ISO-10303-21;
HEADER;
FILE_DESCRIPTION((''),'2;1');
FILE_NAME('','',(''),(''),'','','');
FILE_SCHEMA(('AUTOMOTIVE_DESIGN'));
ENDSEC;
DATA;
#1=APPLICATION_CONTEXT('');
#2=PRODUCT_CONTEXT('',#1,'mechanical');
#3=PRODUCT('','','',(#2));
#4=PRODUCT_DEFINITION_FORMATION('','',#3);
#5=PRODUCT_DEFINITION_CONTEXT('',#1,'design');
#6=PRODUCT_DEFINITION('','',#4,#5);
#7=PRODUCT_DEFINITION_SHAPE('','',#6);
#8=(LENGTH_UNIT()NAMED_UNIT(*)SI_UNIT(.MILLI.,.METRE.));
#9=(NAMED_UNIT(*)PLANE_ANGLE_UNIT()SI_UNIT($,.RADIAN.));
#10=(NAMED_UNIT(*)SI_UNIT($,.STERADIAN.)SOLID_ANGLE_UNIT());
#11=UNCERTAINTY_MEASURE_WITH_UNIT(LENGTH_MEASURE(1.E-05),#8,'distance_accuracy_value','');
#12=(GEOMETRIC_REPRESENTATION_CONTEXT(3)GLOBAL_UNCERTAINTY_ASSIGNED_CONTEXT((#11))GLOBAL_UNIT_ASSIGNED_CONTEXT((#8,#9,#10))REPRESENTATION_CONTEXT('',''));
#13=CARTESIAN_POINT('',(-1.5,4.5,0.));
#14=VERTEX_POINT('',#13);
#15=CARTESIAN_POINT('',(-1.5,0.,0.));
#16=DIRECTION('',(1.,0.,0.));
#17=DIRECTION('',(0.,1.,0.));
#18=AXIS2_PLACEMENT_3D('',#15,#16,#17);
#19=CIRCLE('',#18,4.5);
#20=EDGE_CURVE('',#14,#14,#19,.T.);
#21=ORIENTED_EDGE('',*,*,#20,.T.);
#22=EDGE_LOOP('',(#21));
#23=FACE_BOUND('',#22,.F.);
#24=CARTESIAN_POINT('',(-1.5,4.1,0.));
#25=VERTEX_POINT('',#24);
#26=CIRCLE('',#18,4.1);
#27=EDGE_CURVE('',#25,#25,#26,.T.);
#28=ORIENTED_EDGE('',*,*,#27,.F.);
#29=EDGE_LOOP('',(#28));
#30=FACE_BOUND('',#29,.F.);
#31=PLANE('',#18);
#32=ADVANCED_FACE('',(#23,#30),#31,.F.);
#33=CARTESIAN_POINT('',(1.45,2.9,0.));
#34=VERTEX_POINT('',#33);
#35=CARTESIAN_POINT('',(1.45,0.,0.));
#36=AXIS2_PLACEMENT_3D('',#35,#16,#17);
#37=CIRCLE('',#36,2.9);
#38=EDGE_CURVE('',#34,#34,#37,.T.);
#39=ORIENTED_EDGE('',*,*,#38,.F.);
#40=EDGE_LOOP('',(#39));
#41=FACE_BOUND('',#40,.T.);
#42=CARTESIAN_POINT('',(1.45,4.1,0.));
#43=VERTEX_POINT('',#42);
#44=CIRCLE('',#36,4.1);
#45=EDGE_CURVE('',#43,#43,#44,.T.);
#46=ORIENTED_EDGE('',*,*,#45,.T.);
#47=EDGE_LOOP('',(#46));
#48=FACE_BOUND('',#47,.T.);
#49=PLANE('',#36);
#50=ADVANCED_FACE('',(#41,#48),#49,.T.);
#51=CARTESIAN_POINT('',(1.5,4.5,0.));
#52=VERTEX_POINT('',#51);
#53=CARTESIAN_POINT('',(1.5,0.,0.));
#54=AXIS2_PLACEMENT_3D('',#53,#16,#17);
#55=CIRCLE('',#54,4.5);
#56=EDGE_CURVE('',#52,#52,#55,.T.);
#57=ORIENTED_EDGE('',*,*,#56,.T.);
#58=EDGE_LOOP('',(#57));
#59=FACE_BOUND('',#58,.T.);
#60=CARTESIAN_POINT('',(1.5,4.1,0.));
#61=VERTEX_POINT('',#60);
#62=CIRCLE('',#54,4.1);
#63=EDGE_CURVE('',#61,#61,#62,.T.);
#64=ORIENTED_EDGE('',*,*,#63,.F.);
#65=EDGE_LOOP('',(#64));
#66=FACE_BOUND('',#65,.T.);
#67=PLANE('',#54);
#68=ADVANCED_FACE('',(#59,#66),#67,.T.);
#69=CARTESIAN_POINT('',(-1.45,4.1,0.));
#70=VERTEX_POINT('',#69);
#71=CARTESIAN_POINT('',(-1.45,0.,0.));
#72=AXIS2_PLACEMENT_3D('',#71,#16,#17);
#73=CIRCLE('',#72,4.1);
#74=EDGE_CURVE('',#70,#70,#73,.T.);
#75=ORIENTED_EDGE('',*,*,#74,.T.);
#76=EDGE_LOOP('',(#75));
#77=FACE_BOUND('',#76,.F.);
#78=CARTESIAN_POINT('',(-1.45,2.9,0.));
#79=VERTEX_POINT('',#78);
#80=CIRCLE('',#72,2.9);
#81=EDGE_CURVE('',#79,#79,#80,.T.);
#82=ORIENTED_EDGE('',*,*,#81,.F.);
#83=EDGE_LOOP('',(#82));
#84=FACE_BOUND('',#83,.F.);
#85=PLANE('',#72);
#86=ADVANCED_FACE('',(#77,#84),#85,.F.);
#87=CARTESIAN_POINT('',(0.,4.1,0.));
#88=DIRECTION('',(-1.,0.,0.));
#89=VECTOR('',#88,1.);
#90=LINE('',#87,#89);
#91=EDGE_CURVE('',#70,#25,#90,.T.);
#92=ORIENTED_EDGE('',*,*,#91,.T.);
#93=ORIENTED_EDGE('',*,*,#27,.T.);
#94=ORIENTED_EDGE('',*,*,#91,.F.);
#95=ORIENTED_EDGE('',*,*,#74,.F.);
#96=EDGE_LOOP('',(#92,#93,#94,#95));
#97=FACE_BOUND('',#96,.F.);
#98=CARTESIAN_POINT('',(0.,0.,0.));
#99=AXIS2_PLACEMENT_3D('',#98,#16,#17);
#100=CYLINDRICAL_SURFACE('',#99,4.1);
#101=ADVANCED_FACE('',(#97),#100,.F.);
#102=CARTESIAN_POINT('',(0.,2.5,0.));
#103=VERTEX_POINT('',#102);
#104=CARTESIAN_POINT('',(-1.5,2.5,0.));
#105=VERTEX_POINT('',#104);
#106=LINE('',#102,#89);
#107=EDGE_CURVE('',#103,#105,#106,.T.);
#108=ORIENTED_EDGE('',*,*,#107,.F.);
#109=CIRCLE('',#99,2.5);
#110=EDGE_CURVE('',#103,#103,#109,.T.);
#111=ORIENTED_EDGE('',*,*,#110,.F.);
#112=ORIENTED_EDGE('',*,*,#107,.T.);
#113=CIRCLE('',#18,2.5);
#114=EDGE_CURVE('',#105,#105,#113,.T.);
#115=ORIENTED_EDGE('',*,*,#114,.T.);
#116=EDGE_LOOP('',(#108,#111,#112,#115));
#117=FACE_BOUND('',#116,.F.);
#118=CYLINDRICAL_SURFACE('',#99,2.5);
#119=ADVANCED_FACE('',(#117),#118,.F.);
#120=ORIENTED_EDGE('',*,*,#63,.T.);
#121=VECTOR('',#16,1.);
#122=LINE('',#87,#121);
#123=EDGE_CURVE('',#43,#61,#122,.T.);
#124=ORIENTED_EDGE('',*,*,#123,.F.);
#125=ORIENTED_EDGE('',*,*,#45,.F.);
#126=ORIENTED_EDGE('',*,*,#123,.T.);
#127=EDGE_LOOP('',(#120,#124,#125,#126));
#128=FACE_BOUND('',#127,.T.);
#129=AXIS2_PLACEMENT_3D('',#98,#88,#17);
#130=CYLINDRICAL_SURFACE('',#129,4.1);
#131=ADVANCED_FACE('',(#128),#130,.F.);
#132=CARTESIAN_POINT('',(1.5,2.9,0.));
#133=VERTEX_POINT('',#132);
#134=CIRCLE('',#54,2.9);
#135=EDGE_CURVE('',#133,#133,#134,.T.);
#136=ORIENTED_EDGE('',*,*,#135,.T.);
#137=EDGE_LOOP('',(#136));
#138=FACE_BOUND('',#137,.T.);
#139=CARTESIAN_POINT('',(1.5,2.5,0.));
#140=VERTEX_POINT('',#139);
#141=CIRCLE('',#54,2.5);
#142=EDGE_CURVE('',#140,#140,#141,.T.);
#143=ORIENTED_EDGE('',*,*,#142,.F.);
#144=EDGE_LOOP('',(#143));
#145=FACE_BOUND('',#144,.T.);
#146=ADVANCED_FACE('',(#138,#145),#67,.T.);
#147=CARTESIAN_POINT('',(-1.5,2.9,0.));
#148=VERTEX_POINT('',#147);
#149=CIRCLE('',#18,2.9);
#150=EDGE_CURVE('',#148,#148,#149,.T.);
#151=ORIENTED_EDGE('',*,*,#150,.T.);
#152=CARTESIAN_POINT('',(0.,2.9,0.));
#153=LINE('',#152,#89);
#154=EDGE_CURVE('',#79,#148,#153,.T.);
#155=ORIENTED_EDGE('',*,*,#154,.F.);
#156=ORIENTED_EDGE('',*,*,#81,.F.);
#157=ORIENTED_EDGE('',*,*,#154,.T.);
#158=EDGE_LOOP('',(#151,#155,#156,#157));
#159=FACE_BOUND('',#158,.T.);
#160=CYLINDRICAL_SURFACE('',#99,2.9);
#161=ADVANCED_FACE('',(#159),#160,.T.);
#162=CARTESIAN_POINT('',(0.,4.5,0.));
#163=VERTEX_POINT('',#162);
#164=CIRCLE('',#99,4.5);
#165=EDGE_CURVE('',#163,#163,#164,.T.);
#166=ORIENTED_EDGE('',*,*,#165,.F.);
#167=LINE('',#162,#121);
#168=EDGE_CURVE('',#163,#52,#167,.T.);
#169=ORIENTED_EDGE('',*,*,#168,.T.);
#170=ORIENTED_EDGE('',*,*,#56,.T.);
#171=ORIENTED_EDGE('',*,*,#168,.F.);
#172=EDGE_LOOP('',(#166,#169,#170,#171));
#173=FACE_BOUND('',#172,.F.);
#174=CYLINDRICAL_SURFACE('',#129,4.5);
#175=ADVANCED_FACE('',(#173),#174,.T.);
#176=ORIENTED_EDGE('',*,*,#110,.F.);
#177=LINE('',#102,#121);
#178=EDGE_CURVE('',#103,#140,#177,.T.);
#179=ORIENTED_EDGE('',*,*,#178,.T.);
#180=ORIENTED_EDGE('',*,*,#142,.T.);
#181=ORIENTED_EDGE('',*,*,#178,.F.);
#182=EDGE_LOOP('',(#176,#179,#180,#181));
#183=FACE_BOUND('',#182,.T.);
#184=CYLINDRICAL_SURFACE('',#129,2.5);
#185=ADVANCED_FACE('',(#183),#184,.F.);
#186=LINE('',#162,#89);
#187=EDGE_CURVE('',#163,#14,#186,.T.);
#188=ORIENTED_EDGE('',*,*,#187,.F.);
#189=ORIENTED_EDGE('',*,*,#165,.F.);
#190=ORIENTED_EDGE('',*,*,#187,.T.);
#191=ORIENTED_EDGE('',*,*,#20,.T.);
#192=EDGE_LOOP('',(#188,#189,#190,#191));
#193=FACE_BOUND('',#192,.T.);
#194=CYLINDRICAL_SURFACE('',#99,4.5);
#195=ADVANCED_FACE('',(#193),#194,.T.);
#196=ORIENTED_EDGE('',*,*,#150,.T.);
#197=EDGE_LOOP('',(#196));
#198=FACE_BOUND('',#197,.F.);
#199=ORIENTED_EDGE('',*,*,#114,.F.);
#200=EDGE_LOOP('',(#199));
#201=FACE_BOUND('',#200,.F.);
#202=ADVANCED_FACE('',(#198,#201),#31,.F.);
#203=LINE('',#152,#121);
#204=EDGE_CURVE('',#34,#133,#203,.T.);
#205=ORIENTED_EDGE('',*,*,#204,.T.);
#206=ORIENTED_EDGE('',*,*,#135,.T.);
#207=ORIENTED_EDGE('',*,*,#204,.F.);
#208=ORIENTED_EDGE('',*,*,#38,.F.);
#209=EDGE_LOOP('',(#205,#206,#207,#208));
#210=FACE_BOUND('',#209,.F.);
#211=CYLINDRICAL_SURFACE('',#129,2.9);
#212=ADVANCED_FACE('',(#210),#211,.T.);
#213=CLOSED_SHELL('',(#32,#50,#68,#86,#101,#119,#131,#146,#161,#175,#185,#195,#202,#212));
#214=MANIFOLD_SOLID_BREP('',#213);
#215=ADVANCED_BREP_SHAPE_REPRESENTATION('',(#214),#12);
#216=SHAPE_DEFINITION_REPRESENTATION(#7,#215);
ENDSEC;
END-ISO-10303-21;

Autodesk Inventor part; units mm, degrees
ref_plane "YZ Plane" through (0, 0, 0) normal (1, 0, 0) x (0, 1, 0)
ref_plane "XZ Plane" through (0, 0, 0) normal (0, 1, 0) x (-1, 0, 0)
ref_plane "XY Plane" through (0, 0, 0) normal (0, 0, 1) x (1, 0, 0)
sketch "Эскиз1" plane through (0, 0, 0) normal (1, 0, 0) x (0, 1, 0)
  circle A0 centre (0, 0) radius 2.5
  circle A1 centre (0, 0) radius 4.5
  circle A2 centre (0, 0) radius 2.9
  circle A3 centre (0, 0) radius 4.1
  dimension "d0" = 5
  dimension "d1" = 9
  dimension "d2" = 0.4
  dimension "d3" = 0.4
extrude "Выдавливание1" add sketch "Эскиз1" along normal mid plane 3
extrude "Выдавливание2" add sketch "Эскиз1" along normal mid plane 2.9 contours A3
properties part number "roller_5_9_3"
